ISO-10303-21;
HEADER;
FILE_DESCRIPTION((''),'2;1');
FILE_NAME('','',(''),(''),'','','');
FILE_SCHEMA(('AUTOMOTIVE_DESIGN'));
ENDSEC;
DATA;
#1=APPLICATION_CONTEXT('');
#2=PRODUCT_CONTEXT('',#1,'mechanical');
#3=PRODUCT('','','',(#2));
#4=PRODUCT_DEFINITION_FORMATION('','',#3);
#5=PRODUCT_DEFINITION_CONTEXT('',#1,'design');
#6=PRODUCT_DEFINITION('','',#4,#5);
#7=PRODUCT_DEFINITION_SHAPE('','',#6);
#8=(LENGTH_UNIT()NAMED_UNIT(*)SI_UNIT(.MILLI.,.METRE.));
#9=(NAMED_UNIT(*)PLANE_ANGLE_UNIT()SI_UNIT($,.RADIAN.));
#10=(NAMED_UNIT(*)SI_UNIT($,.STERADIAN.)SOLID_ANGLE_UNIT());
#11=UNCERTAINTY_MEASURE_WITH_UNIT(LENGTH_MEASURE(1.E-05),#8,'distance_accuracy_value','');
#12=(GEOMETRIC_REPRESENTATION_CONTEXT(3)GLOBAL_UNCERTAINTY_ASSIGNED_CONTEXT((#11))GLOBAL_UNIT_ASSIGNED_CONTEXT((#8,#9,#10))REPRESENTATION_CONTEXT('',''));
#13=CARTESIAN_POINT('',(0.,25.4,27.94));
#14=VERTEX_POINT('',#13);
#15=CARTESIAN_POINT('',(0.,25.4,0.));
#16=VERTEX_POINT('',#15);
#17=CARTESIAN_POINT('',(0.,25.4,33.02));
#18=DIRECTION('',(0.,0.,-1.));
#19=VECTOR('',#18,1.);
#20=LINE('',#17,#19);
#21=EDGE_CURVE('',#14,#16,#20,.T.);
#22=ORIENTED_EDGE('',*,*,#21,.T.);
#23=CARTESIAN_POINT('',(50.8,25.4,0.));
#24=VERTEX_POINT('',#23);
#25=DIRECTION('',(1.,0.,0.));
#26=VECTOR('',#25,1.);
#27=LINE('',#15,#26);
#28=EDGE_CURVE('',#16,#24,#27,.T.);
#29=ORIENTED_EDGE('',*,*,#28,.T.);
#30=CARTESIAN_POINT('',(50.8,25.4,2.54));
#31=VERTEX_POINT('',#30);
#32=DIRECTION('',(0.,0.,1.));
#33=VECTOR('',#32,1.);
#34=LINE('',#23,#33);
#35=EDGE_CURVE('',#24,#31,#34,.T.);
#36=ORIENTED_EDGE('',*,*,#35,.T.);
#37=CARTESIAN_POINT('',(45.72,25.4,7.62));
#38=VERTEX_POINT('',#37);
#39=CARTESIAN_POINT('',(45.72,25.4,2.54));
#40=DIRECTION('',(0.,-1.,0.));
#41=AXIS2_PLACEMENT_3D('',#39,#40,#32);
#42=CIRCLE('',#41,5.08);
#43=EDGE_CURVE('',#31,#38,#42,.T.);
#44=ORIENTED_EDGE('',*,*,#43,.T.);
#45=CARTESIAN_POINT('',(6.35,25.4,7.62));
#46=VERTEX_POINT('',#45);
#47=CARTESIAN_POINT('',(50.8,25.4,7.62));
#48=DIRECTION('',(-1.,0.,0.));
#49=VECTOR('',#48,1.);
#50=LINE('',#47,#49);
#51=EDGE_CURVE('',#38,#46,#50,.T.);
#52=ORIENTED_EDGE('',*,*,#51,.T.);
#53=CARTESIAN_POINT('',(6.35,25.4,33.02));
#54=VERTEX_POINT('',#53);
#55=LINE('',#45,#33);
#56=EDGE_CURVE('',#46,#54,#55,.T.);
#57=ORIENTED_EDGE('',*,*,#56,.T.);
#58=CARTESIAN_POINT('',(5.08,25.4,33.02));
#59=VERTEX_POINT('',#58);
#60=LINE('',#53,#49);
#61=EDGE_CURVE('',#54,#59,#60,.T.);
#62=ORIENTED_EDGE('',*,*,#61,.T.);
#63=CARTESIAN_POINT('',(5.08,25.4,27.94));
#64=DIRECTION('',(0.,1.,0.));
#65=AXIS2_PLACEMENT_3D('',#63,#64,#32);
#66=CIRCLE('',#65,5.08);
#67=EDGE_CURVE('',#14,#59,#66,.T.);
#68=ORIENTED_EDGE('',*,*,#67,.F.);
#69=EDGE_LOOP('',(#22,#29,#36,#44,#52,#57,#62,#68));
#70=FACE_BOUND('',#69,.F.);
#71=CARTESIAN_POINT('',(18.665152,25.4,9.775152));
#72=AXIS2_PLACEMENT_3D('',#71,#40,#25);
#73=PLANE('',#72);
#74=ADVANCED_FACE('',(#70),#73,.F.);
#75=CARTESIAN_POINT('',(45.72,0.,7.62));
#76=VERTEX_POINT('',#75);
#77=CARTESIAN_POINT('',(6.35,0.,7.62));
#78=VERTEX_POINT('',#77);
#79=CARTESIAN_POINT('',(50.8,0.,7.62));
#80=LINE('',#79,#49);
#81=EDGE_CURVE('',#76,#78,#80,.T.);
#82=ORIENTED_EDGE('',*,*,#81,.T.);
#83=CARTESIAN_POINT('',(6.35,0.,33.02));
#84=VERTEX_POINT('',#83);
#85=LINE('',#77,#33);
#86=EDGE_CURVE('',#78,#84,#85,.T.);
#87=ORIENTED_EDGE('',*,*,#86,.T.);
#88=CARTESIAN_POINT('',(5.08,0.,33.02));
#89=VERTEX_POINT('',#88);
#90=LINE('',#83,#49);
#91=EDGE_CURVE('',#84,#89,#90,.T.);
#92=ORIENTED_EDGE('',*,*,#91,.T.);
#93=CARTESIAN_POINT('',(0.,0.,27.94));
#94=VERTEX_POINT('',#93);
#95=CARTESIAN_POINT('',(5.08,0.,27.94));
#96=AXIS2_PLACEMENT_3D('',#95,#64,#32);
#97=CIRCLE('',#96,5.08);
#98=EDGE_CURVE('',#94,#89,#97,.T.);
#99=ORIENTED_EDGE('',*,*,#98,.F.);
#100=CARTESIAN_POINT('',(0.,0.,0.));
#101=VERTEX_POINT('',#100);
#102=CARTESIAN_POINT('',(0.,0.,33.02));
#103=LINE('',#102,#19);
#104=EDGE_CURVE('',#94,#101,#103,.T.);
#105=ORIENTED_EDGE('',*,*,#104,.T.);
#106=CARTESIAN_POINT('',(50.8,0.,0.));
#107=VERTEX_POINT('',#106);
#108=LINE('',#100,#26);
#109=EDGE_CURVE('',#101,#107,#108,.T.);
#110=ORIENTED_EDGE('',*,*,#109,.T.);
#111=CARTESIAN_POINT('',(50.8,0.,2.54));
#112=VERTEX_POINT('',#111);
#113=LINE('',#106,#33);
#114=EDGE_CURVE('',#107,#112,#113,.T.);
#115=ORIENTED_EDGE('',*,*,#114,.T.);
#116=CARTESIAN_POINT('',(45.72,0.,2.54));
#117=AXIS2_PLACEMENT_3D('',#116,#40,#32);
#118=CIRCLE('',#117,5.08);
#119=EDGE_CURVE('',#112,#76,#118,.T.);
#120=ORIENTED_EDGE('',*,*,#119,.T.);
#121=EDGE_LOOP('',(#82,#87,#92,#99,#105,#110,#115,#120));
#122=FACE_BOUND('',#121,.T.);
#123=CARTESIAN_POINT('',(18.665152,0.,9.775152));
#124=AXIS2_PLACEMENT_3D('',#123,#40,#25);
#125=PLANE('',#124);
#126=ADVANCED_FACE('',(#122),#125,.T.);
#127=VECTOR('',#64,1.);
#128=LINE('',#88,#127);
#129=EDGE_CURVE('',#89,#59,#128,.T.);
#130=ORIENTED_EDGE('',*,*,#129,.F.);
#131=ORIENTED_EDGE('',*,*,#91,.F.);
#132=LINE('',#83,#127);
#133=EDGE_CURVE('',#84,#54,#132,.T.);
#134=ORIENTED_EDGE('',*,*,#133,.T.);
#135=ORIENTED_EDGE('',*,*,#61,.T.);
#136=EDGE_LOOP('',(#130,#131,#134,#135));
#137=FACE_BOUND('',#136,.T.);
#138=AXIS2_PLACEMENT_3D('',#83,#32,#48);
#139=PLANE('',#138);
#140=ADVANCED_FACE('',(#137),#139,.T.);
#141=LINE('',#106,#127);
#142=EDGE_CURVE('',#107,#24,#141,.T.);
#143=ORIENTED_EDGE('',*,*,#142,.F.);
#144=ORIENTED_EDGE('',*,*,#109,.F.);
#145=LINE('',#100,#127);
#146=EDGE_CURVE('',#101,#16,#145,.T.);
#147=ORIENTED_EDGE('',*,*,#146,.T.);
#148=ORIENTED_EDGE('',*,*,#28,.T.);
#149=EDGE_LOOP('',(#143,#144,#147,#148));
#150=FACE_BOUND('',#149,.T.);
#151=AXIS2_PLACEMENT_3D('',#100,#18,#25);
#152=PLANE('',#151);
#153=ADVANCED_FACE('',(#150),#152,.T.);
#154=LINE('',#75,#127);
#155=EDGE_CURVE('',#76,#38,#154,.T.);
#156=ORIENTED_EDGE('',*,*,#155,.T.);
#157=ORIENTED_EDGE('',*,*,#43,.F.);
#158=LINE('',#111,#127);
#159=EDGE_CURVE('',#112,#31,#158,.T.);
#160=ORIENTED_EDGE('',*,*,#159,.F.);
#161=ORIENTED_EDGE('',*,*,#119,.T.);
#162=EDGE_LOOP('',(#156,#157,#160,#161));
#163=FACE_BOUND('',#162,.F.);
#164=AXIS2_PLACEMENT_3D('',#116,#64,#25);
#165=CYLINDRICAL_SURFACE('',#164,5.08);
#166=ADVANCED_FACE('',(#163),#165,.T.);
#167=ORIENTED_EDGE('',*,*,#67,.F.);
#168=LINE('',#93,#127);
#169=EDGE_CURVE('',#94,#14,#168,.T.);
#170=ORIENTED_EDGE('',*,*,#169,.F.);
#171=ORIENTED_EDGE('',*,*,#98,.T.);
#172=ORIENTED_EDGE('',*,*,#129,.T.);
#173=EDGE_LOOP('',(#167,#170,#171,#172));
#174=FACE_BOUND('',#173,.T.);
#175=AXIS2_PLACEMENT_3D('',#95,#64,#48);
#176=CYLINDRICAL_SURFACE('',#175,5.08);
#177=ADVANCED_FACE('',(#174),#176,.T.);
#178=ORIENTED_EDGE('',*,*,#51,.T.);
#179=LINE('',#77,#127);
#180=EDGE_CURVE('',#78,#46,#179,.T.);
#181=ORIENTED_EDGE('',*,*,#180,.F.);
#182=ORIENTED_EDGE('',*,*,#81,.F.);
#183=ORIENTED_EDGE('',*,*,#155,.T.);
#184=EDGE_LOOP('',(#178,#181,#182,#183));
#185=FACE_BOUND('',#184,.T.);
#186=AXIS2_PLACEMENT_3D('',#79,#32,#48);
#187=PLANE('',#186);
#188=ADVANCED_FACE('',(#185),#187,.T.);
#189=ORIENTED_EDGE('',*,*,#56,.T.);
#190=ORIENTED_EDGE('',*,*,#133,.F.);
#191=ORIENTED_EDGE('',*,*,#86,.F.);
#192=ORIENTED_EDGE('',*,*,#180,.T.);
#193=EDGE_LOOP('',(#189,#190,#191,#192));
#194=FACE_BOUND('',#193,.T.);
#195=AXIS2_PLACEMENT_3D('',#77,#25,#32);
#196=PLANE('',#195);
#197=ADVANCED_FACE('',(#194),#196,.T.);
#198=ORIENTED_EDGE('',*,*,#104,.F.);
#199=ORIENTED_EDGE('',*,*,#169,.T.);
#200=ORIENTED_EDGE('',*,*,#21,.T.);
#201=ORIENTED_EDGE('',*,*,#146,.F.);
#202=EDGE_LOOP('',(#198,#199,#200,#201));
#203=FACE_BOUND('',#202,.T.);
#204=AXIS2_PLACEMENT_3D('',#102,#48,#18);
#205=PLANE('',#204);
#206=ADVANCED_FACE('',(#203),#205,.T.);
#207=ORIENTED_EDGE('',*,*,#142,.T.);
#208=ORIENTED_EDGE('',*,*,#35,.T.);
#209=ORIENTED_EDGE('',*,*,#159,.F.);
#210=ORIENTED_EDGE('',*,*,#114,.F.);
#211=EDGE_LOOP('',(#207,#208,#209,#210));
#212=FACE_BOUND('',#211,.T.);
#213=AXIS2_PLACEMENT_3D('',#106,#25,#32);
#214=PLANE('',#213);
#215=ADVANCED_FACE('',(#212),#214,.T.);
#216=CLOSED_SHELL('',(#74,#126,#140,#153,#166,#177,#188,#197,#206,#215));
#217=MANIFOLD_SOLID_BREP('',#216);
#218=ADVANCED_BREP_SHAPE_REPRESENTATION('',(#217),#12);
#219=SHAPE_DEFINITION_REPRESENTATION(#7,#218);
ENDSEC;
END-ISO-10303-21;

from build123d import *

# Parameters (mm, degrees)
F1_DEPTH = 25.4
F2_R     = 5.08


with BuildPart() as f1:
    # F0 (on Front) → F1 (new body)
    with BuildSketch(Plane.XZ):
        Polygon((0, 33.02), (0, 0), (50.8, 0), (50.8, 7.62), (6.35, 7.62), (6.35, 33.02), align=None)
    extrude(amount=-F1_DEPTH)

    # F2
    f2_edges = [f1.edges().sort_by_distance(p)[0] for p in [
        (0, 12.7, 33.02),
        (50.8, 12.7, 7.62),
    ]]
    fillet(f2_edges, radius=F2_R)


solid = f1.part
